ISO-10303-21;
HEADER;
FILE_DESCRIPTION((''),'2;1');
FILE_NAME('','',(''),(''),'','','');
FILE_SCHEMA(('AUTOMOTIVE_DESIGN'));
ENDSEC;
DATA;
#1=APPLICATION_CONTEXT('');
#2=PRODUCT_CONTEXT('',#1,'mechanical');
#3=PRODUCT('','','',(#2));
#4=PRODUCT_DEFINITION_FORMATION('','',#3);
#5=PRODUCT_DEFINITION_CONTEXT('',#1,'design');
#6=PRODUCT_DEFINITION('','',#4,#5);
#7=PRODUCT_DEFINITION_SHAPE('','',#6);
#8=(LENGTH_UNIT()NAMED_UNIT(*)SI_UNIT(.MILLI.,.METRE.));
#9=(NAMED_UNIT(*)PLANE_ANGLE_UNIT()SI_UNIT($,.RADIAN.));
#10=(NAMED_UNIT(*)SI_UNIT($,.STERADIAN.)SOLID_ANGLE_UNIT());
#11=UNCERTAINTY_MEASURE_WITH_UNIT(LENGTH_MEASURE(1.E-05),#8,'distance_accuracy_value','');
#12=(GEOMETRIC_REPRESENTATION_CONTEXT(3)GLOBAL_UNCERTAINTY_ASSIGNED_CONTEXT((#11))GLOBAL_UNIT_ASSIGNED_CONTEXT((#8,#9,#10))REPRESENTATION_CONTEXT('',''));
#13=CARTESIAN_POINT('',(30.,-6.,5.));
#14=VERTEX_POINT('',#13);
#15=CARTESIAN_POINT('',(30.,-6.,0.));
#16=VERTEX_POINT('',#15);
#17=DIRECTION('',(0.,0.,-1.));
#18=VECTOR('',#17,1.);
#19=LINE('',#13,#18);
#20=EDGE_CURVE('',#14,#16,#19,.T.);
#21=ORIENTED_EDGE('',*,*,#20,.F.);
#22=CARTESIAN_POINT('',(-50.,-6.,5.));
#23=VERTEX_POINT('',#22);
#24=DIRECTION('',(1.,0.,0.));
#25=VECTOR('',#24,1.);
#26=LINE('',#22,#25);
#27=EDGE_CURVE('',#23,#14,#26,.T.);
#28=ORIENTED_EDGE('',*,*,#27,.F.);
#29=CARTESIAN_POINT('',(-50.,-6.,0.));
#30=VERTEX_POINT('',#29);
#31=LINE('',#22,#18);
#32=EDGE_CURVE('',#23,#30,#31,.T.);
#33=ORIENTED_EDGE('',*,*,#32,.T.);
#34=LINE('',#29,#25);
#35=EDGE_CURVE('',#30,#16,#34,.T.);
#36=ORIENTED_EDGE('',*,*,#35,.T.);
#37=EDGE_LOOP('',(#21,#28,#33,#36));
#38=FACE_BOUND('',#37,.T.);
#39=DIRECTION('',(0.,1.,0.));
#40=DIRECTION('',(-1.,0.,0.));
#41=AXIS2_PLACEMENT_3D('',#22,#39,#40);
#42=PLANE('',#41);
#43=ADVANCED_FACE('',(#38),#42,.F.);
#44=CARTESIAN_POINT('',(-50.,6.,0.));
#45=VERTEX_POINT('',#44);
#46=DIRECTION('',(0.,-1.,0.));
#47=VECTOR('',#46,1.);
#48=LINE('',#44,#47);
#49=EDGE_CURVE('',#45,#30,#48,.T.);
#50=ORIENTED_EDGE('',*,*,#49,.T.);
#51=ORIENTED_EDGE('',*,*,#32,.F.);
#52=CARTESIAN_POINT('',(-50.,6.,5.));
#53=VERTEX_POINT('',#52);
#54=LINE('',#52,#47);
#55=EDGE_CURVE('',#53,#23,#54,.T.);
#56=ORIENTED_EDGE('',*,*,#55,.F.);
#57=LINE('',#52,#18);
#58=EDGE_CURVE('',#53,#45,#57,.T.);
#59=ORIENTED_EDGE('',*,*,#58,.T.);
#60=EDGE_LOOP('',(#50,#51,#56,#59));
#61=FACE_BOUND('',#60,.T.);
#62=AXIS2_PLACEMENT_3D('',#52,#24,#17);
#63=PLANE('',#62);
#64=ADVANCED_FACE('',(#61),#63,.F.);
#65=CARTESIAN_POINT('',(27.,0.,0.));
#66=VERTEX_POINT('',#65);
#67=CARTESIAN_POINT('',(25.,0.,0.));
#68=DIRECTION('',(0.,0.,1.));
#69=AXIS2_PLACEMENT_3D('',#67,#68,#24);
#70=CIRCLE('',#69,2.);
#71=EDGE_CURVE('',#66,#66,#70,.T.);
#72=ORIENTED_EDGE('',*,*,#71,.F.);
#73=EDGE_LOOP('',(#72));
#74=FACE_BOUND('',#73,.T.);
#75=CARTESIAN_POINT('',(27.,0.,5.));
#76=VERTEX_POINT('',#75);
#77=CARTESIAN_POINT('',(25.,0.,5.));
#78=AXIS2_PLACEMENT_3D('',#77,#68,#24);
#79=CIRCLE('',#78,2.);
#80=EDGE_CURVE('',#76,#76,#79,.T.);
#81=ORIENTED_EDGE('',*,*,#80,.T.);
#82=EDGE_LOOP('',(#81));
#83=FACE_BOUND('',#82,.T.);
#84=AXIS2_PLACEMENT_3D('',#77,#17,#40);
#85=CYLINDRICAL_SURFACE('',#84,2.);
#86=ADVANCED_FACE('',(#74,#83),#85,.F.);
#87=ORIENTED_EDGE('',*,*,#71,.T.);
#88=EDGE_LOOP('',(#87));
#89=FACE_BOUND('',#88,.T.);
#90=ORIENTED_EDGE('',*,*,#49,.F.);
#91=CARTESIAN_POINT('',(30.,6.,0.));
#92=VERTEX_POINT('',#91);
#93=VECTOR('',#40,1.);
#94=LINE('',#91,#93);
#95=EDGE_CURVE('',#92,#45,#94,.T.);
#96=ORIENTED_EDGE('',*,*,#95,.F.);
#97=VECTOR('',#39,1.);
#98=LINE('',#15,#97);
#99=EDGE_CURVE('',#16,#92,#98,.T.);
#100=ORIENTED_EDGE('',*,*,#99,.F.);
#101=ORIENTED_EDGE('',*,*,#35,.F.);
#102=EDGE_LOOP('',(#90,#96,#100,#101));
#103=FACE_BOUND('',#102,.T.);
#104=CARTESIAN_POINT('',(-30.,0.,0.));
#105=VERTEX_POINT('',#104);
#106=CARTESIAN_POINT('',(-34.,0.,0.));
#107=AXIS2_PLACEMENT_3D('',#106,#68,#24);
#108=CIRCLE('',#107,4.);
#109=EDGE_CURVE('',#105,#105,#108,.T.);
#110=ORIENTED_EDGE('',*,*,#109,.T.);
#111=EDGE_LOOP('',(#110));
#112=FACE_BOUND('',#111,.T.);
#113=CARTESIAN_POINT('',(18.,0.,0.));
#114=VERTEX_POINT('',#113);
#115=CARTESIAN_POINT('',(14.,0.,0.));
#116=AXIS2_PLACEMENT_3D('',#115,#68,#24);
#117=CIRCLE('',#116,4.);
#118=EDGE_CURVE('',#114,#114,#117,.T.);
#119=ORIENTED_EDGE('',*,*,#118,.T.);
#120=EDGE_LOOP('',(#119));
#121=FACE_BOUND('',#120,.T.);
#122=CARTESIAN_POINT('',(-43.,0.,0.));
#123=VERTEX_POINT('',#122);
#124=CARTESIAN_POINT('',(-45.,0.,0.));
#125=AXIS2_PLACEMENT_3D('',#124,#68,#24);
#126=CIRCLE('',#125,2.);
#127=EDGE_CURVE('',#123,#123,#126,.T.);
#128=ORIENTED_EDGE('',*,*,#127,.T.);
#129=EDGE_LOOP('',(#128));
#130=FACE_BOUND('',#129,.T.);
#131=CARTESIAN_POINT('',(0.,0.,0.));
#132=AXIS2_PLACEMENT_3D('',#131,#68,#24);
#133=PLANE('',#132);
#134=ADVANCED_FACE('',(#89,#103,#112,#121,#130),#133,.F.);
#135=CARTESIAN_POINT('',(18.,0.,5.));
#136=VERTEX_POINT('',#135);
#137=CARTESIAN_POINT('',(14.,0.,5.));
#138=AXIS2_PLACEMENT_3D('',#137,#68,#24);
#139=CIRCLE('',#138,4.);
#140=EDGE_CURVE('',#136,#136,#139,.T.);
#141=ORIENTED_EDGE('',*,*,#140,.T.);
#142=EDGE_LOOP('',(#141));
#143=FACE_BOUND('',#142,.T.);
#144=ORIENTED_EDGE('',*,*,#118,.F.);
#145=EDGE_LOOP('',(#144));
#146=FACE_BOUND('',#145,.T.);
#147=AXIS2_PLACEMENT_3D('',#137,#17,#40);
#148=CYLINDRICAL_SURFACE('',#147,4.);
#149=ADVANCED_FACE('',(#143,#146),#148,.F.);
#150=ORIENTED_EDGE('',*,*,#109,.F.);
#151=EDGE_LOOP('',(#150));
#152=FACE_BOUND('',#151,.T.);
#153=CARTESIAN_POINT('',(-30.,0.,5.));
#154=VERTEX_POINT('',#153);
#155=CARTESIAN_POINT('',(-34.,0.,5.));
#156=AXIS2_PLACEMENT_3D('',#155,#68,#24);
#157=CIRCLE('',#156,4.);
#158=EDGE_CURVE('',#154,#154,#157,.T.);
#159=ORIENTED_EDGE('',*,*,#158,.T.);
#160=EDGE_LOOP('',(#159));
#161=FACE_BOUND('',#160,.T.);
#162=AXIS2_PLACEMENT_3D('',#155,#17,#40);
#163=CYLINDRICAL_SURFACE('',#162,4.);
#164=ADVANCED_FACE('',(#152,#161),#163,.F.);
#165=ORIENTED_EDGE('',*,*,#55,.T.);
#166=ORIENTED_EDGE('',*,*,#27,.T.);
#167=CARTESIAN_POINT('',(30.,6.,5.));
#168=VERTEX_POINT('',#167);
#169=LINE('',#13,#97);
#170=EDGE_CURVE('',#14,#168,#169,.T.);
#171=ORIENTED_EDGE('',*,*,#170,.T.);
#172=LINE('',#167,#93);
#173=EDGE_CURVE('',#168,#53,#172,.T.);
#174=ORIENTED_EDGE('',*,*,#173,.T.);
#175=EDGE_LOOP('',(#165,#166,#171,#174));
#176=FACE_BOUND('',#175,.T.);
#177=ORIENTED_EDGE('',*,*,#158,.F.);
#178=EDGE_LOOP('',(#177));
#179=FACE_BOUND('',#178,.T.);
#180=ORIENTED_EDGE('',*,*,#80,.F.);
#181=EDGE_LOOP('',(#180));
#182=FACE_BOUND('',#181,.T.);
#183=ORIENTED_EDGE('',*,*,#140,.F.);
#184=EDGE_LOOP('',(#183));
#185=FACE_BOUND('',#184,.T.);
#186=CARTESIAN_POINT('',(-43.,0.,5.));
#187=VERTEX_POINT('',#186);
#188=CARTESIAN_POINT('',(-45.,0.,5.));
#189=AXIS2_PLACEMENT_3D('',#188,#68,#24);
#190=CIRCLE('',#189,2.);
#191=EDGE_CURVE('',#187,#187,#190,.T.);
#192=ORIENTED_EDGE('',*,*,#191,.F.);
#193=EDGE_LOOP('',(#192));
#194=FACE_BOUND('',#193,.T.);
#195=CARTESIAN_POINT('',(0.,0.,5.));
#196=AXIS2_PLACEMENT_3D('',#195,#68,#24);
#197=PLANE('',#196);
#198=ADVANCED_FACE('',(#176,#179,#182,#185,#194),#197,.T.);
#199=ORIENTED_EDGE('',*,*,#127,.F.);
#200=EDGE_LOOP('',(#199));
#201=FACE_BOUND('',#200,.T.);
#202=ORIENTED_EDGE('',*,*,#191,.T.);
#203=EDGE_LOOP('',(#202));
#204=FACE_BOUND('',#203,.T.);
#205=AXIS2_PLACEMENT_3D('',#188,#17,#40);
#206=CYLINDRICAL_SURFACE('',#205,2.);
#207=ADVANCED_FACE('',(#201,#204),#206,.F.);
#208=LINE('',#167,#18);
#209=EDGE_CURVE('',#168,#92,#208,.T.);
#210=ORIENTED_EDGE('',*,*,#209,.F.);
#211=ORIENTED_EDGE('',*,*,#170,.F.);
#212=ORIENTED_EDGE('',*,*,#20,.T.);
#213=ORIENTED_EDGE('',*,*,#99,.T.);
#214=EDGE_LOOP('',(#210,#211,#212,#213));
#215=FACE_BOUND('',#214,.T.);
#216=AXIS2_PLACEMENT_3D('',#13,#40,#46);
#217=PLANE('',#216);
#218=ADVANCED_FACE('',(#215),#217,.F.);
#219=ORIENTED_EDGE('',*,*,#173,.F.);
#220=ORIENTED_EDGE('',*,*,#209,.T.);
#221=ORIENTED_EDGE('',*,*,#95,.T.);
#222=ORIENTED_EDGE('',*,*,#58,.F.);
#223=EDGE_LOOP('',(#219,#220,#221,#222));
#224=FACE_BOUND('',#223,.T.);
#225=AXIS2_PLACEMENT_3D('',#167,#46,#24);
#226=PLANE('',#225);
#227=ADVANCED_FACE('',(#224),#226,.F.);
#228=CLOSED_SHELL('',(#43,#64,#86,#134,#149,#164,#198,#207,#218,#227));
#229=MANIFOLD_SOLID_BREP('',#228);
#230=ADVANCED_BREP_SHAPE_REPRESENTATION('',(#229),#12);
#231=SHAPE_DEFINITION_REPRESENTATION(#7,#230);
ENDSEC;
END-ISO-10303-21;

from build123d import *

# Parameters (mm, degrees)
SKETCH1_W           = 80
SKETCH1_H           = 12
SKETCH1_R           = 4
SKETCH1_R_2         = 2
BOSS_EXTRUDE1_DEPTH = 5


with BuildPart() as part:
    # Sketch1 → Boss-Extrude1 (new body)
    with BuildSketch(Plane.XY):
        with Locations((-10, 0)):
            Rectangle(SKETCH1_W, SKETCH1_H)
        with Locations((-34, 0)):
            Circle(SKETCH1_R, mode=Mode.SUBTRACT)
        with Locations((14, 0)):
            Circle(SKETCH1_R, mode=Mode.SUBTRACT)
        with Locations((-45, 0)):
            Circle(SKETCH1_R_2, mode=Mode.SUBTRACT)
        with Locations((25, 0)):
            Circle(SKETCH1_R_2, mode=Mode.SUBTRACT)
    extrude(amount=BOSS_EXTRUDE1_DEPTH)


solid = part.part
